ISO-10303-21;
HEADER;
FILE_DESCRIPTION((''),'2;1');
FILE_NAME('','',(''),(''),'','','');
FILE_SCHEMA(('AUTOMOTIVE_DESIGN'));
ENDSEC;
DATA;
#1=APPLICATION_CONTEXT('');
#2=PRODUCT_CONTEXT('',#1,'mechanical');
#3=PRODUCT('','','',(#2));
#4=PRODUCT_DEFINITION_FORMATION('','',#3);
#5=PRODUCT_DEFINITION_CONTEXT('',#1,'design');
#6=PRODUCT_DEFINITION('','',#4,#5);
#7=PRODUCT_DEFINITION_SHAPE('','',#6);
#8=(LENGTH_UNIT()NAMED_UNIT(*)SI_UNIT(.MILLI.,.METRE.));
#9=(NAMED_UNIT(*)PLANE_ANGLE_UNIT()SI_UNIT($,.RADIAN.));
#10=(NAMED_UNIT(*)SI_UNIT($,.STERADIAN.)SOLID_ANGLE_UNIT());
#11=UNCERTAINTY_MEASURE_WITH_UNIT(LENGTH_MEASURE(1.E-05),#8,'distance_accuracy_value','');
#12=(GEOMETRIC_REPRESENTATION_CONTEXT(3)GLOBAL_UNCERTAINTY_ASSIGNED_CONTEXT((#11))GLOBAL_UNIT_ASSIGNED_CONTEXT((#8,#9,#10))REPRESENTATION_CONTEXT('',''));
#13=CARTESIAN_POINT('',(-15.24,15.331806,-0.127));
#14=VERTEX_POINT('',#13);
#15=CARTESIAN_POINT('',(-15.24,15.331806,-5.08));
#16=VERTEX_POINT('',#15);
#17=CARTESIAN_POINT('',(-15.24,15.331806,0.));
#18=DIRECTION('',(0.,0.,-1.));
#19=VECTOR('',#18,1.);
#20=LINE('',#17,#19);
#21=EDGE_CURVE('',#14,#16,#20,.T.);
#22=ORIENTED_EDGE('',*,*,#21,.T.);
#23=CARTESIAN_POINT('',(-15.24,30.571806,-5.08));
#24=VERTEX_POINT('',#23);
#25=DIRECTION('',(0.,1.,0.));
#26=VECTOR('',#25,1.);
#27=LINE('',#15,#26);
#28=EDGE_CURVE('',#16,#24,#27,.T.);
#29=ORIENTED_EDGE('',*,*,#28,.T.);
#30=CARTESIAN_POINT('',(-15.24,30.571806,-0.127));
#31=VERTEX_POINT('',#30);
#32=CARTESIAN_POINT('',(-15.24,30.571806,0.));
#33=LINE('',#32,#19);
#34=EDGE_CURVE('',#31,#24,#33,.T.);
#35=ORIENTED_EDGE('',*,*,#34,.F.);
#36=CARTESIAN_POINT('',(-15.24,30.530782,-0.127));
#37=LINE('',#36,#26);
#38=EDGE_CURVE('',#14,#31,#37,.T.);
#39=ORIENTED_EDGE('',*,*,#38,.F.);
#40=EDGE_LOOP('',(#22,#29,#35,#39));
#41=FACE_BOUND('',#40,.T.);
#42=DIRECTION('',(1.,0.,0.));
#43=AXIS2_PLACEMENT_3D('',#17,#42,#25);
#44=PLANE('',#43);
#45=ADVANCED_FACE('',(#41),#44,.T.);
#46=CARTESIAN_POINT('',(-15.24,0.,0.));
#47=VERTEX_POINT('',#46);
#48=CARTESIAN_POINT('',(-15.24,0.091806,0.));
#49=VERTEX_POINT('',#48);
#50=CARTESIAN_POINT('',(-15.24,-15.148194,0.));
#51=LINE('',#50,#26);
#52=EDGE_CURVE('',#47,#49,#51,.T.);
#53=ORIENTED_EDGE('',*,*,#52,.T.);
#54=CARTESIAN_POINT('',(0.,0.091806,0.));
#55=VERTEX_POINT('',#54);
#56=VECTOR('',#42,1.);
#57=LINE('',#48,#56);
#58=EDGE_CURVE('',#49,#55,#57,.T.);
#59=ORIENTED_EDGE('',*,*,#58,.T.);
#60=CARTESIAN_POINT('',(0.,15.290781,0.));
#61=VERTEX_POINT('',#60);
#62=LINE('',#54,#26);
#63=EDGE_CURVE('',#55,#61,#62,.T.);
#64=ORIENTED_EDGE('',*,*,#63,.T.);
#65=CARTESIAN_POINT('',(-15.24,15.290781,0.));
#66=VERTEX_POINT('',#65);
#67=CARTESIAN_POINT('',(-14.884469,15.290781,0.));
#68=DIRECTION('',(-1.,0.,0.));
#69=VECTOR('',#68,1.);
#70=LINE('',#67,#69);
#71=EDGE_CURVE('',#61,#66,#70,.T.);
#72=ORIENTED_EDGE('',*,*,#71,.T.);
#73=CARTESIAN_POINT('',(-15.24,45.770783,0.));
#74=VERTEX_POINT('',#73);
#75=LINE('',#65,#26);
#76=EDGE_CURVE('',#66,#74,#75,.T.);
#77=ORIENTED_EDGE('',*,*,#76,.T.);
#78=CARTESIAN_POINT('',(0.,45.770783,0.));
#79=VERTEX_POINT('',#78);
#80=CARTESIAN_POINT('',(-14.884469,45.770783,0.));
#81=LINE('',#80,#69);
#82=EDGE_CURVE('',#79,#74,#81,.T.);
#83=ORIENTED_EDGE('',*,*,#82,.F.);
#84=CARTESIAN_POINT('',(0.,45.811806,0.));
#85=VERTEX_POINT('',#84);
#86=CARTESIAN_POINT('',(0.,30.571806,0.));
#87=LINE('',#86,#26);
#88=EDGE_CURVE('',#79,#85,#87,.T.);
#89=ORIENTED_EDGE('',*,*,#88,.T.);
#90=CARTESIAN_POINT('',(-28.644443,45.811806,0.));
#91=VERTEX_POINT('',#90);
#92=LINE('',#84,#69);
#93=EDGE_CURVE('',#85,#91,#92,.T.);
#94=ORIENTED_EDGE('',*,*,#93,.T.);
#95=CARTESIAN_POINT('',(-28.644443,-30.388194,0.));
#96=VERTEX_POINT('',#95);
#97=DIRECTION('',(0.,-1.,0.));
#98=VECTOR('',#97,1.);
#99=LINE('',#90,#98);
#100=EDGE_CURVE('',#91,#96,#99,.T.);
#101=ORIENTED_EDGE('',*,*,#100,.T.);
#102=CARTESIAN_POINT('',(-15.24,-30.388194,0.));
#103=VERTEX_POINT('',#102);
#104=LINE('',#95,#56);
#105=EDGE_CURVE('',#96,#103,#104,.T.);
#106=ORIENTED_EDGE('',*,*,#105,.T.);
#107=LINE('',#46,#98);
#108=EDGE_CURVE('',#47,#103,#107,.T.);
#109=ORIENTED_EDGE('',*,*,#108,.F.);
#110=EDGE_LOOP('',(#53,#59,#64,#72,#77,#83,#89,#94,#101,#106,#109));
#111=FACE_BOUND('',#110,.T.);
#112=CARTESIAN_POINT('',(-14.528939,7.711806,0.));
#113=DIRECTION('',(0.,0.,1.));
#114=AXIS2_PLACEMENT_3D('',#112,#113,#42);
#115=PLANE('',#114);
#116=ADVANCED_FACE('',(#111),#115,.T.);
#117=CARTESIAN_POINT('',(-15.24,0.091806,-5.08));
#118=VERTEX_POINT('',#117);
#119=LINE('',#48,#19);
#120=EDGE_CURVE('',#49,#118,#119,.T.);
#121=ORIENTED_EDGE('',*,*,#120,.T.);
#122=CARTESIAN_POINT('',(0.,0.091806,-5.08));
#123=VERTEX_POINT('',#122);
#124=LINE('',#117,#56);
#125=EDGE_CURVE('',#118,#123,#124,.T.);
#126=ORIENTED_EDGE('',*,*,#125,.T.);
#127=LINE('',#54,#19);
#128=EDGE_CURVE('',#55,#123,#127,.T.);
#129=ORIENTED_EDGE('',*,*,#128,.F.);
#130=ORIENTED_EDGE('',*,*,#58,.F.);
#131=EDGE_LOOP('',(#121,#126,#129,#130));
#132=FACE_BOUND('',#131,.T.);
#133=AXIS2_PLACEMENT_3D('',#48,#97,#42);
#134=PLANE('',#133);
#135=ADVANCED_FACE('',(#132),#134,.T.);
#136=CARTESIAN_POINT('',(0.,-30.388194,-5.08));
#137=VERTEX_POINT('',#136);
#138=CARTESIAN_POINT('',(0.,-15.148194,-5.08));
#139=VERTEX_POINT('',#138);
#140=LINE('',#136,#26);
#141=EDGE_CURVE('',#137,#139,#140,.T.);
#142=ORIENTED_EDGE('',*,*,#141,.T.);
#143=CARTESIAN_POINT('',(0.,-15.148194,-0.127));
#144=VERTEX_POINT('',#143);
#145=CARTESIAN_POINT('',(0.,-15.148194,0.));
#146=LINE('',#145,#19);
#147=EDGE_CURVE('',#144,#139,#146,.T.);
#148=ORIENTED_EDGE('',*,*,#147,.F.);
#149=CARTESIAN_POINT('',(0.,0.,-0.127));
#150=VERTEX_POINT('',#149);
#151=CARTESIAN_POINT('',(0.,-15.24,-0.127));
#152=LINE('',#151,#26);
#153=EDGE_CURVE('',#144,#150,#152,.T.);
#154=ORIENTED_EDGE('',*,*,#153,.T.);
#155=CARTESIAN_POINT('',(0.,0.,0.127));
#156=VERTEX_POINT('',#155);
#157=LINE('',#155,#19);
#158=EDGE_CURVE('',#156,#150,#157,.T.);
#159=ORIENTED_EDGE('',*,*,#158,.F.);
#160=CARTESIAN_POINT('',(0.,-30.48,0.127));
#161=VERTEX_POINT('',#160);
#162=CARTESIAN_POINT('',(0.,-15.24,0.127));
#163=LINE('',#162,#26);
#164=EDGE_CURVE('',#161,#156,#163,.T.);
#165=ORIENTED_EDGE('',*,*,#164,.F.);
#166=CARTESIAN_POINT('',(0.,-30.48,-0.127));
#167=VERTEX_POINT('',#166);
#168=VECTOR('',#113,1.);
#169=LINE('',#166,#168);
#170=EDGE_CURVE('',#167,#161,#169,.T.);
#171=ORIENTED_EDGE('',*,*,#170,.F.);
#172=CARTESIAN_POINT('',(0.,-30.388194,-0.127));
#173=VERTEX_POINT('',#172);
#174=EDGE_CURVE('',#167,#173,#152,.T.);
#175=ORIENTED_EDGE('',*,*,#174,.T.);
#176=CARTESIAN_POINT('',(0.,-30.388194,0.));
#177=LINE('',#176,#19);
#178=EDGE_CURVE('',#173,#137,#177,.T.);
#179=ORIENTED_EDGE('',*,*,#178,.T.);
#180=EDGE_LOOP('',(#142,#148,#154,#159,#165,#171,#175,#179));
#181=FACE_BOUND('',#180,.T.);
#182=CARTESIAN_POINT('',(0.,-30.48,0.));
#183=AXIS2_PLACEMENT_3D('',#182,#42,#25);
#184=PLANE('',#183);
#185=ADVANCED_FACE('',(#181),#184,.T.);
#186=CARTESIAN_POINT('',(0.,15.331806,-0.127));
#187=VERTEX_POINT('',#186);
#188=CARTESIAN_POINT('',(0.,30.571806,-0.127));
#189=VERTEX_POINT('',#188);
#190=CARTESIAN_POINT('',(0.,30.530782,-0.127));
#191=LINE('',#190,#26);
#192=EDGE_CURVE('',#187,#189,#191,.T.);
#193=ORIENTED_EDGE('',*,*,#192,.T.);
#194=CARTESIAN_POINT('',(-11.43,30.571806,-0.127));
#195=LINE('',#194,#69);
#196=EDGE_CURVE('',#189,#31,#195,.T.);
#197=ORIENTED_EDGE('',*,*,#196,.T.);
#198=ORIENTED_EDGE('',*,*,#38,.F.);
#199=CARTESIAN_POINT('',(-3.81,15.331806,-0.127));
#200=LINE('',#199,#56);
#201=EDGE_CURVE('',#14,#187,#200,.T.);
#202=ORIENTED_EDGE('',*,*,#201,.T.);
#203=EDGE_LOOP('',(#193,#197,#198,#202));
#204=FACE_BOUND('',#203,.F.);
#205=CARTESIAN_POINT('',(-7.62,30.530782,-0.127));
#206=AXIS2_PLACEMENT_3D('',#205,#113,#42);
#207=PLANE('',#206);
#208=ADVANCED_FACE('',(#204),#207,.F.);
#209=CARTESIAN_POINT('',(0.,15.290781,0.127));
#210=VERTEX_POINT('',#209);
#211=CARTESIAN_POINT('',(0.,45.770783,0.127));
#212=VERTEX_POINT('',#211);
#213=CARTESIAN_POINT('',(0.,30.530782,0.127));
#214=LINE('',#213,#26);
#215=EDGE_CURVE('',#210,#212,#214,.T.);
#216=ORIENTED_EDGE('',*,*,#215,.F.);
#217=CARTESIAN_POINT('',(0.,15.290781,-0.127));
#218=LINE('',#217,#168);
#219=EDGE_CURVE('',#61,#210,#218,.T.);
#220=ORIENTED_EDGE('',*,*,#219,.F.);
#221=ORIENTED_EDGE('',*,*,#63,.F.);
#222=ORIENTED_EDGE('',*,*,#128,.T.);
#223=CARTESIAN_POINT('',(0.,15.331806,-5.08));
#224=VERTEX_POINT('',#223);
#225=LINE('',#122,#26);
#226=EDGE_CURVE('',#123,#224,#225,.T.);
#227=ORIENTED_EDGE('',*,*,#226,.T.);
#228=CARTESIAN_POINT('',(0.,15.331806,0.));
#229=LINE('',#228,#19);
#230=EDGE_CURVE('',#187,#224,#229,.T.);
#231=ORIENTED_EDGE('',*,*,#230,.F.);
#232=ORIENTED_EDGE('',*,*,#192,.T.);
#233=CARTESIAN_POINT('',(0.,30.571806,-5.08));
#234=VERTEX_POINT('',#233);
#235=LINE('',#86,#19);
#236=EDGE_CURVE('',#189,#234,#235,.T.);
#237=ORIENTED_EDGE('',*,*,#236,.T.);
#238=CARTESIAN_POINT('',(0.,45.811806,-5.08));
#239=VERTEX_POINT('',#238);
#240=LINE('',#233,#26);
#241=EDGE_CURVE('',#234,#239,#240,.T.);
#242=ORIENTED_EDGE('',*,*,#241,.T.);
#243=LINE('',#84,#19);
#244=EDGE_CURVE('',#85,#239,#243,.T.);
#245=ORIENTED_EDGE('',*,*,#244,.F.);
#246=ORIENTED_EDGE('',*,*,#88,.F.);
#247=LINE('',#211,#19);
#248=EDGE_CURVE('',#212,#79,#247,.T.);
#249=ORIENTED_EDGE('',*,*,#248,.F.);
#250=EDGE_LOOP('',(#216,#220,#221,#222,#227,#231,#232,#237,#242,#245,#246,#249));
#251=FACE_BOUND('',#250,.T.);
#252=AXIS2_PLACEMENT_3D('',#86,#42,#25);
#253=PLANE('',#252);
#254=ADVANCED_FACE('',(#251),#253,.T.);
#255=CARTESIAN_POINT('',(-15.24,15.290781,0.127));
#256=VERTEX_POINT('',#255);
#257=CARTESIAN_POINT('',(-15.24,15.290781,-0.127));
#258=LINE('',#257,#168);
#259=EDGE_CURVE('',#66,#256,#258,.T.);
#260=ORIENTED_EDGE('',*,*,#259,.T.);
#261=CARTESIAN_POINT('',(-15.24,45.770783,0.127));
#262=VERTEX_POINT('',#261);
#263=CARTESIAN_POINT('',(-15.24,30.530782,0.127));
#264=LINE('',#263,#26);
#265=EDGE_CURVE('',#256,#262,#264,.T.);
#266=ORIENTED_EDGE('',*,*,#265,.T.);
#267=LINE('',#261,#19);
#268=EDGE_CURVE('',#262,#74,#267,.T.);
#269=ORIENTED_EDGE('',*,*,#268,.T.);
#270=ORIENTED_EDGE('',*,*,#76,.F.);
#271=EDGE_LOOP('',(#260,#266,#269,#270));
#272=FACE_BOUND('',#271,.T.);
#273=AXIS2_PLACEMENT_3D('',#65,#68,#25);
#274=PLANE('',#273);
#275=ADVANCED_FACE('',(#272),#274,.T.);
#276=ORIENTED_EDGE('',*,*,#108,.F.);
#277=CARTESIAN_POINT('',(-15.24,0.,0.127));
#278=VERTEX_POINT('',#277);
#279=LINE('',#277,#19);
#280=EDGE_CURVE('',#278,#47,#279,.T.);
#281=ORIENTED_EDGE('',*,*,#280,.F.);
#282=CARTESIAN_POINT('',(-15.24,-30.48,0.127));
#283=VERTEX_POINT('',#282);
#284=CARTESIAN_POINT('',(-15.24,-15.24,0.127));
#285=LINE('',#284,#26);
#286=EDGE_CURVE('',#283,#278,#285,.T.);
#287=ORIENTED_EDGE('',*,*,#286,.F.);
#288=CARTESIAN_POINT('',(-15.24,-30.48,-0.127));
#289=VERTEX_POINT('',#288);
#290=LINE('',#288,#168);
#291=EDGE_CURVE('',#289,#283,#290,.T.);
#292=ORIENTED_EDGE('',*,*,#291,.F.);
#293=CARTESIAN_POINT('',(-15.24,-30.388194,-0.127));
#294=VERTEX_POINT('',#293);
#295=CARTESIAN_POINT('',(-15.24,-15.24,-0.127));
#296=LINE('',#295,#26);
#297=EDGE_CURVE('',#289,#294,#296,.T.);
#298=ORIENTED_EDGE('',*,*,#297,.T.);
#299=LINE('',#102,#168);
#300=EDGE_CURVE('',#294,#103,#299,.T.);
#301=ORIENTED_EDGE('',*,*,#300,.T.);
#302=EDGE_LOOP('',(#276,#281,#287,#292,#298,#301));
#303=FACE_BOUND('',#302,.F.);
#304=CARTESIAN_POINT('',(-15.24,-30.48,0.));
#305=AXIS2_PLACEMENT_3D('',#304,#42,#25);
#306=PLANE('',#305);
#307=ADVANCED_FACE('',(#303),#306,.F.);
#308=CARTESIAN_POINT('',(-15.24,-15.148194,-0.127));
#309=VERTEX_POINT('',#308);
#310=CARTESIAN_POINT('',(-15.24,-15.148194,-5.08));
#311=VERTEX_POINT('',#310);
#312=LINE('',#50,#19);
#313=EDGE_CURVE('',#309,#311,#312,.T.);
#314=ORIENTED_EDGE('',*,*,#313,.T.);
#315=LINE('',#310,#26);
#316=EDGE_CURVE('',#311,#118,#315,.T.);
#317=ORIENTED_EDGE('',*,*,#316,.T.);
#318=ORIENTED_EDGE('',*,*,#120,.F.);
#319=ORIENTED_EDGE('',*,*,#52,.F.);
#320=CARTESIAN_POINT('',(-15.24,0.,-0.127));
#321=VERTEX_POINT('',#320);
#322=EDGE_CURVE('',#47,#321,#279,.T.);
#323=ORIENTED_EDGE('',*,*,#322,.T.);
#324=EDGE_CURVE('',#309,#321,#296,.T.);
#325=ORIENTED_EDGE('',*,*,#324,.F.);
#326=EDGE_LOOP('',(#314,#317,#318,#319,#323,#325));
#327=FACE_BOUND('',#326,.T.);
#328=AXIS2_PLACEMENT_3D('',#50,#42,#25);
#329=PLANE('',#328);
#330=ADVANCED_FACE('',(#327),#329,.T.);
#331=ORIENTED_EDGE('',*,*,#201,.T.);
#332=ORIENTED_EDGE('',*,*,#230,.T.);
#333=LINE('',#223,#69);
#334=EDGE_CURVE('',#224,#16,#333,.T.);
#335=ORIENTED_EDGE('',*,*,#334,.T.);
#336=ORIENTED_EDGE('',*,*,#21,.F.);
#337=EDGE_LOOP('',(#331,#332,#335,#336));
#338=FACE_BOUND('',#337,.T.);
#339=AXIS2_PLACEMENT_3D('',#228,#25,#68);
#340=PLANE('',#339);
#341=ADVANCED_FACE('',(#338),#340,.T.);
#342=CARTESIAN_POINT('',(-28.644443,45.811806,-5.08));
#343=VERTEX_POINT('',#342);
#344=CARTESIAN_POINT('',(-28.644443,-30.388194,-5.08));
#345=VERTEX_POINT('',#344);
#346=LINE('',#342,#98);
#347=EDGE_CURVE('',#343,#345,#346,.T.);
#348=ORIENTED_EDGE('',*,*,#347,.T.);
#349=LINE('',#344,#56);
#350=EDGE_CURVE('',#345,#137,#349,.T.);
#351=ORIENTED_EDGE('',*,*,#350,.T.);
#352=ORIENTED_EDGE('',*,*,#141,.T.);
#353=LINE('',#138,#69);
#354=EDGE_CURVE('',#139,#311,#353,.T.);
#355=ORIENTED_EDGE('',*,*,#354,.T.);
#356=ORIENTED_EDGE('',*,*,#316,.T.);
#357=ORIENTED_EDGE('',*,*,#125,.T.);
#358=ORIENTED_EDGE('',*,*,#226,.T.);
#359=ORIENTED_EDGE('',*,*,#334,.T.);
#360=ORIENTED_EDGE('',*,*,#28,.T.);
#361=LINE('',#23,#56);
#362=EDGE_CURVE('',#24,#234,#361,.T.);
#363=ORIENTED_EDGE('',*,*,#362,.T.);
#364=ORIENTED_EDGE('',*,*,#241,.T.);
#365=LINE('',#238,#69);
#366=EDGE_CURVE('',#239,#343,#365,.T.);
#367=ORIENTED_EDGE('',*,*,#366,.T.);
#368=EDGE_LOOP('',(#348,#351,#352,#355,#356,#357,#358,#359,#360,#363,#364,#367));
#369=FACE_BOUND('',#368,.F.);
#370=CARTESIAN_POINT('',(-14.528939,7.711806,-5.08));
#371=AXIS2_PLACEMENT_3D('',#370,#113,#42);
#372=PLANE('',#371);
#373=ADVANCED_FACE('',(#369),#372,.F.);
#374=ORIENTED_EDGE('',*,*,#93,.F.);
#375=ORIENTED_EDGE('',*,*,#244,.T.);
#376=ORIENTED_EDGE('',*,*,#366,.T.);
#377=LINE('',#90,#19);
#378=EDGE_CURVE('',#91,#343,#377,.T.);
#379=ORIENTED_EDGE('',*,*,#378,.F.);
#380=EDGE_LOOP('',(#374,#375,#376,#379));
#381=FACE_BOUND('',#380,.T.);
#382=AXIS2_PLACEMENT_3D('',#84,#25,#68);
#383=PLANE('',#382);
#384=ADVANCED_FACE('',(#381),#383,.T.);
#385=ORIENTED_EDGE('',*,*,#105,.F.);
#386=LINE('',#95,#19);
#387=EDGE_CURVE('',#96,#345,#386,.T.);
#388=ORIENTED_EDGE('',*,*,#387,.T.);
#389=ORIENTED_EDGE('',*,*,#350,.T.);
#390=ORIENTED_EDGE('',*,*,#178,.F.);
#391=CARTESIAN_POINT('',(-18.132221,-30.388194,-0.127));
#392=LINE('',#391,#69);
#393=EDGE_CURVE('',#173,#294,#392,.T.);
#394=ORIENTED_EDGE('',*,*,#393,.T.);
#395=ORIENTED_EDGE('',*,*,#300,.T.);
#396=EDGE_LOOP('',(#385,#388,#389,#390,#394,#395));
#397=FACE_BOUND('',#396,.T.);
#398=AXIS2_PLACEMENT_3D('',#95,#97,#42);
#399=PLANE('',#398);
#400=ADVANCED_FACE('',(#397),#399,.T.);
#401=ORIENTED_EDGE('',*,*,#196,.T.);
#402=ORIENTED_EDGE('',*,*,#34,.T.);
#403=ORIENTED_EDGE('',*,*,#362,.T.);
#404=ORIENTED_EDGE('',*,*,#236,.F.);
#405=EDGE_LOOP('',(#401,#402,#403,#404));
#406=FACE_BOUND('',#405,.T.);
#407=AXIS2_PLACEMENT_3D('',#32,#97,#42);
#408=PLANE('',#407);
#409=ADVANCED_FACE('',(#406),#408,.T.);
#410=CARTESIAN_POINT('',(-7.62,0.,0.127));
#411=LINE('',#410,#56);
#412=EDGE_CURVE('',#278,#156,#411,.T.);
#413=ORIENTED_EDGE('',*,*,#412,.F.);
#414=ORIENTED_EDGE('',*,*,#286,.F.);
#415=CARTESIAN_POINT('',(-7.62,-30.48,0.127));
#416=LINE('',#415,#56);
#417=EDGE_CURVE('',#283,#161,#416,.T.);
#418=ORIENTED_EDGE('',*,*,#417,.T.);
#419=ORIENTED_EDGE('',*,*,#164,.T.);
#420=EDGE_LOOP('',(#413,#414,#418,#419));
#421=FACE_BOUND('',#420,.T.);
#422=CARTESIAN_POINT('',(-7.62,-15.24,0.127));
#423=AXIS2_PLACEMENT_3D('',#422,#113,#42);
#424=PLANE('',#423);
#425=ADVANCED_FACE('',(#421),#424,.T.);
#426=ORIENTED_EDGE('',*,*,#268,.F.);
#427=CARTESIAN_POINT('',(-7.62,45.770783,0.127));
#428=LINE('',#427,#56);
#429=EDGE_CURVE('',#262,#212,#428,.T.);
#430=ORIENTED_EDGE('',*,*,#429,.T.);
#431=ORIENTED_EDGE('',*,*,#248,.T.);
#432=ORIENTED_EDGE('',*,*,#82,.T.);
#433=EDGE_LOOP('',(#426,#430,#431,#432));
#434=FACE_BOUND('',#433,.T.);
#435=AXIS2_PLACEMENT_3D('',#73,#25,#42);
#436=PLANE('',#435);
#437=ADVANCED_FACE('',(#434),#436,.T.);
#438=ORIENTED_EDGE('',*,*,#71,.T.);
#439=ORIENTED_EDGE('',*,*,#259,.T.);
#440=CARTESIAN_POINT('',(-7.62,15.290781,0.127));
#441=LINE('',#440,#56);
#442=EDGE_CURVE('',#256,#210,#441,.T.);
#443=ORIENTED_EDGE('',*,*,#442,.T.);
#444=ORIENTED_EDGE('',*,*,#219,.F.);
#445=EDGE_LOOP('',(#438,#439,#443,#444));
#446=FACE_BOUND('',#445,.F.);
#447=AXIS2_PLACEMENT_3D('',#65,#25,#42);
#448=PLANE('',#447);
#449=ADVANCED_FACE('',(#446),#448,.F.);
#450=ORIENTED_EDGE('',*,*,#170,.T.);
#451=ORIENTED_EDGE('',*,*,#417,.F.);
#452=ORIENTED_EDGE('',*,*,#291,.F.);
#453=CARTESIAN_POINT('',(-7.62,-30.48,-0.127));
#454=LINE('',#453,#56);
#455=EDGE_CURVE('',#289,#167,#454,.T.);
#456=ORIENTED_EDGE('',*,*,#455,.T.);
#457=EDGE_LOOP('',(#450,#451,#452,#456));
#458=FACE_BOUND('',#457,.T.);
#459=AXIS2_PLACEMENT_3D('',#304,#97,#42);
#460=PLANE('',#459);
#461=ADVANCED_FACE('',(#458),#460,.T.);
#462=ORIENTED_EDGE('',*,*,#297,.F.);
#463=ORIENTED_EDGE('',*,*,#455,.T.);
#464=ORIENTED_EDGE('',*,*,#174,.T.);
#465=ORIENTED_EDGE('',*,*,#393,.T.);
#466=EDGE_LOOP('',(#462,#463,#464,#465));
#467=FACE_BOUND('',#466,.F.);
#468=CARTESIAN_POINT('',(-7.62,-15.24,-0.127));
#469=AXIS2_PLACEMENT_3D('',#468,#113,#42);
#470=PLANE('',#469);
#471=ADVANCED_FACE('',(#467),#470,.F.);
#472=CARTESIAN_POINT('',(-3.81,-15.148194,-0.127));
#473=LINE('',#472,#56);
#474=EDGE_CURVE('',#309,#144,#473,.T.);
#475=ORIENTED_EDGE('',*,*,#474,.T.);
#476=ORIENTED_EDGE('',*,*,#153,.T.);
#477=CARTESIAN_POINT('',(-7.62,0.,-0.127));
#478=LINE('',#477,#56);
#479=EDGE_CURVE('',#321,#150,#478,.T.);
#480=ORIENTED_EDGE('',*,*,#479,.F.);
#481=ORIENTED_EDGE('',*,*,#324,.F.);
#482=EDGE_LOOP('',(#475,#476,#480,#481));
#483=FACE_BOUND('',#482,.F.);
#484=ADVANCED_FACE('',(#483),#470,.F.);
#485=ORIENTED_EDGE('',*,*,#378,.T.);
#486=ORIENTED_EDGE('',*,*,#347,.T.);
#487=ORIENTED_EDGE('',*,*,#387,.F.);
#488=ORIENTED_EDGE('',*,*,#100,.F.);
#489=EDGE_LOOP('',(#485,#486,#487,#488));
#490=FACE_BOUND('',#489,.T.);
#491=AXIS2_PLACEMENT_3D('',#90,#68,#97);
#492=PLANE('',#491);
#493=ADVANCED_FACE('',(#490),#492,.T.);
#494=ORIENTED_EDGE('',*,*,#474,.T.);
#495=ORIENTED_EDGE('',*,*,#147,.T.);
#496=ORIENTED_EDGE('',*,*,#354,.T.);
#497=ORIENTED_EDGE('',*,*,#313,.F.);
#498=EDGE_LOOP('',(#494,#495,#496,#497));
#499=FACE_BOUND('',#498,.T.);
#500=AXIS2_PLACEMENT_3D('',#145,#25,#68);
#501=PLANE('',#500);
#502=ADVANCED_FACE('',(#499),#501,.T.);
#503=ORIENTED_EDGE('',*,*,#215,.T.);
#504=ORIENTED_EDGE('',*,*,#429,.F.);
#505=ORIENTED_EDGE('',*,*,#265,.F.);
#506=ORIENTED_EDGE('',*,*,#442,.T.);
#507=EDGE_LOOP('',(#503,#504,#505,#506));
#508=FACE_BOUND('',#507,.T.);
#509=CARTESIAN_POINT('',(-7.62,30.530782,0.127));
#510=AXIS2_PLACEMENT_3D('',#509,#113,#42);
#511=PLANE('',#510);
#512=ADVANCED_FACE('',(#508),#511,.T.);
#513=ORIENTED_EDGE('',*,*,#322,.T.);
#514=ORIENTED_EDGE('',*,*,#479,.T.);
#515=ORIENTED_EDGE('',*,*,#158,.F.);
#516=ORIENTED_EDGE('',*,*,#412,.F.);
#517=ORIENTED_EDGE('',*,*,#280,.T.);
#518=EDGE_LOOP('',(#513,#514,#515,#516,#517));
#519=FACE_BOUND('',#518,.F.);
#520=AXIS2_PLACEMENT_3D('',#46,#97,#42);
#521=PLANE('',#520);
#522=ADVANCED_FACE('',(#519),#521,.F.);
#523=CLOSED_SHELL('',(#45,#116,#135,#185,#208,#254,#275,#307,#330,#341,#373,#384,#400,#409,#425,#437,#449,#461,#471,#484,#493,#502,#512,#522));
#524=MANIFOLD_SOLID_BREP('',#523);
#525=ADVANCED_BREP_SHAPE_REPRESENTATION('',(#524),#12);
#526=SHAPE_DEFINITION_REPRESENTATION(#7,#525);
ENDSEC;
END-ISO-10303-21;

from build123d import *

# Parameters (mm, degrees)
F1_DEPTH = 5.08
F2_W     = 15.24
F2_H     = 30.480002
F2_H_2   = 30.48
F3_DEPTH = 0.127


with BuildPart() as f1:
    # F0 (on Top) → F1 (new body)
    with BuildSketch(Plane.XY):
        Polygon((0, 45.811806), (-28.644443, 45.811806), (-28.644443, -30.388194), (0, -30.388194), (0, -15.148194), (-15.24, -15.148194), (-15.24, 0.091806), (0, 0.091806), (0, 15.331806), (-15.24, 15.331806), (-15.24, 30.571806), (0, 30.571806), align=None)
    extrude(amount=-F1_DEPTH)

    # F2 (on Top) → F3 (join, symmetric)
    with BuildSketch(Plane.XY):
        with Locations((-7.62, 30.530782)):
            Rectangle(F2_W, F2_H)
        with Locations((-7.62, -15.24)):
            Rectangle(F2_W, F2_H_2)
    extrude(amount=F3_DEPTH, both=True)


solid = f1.part
